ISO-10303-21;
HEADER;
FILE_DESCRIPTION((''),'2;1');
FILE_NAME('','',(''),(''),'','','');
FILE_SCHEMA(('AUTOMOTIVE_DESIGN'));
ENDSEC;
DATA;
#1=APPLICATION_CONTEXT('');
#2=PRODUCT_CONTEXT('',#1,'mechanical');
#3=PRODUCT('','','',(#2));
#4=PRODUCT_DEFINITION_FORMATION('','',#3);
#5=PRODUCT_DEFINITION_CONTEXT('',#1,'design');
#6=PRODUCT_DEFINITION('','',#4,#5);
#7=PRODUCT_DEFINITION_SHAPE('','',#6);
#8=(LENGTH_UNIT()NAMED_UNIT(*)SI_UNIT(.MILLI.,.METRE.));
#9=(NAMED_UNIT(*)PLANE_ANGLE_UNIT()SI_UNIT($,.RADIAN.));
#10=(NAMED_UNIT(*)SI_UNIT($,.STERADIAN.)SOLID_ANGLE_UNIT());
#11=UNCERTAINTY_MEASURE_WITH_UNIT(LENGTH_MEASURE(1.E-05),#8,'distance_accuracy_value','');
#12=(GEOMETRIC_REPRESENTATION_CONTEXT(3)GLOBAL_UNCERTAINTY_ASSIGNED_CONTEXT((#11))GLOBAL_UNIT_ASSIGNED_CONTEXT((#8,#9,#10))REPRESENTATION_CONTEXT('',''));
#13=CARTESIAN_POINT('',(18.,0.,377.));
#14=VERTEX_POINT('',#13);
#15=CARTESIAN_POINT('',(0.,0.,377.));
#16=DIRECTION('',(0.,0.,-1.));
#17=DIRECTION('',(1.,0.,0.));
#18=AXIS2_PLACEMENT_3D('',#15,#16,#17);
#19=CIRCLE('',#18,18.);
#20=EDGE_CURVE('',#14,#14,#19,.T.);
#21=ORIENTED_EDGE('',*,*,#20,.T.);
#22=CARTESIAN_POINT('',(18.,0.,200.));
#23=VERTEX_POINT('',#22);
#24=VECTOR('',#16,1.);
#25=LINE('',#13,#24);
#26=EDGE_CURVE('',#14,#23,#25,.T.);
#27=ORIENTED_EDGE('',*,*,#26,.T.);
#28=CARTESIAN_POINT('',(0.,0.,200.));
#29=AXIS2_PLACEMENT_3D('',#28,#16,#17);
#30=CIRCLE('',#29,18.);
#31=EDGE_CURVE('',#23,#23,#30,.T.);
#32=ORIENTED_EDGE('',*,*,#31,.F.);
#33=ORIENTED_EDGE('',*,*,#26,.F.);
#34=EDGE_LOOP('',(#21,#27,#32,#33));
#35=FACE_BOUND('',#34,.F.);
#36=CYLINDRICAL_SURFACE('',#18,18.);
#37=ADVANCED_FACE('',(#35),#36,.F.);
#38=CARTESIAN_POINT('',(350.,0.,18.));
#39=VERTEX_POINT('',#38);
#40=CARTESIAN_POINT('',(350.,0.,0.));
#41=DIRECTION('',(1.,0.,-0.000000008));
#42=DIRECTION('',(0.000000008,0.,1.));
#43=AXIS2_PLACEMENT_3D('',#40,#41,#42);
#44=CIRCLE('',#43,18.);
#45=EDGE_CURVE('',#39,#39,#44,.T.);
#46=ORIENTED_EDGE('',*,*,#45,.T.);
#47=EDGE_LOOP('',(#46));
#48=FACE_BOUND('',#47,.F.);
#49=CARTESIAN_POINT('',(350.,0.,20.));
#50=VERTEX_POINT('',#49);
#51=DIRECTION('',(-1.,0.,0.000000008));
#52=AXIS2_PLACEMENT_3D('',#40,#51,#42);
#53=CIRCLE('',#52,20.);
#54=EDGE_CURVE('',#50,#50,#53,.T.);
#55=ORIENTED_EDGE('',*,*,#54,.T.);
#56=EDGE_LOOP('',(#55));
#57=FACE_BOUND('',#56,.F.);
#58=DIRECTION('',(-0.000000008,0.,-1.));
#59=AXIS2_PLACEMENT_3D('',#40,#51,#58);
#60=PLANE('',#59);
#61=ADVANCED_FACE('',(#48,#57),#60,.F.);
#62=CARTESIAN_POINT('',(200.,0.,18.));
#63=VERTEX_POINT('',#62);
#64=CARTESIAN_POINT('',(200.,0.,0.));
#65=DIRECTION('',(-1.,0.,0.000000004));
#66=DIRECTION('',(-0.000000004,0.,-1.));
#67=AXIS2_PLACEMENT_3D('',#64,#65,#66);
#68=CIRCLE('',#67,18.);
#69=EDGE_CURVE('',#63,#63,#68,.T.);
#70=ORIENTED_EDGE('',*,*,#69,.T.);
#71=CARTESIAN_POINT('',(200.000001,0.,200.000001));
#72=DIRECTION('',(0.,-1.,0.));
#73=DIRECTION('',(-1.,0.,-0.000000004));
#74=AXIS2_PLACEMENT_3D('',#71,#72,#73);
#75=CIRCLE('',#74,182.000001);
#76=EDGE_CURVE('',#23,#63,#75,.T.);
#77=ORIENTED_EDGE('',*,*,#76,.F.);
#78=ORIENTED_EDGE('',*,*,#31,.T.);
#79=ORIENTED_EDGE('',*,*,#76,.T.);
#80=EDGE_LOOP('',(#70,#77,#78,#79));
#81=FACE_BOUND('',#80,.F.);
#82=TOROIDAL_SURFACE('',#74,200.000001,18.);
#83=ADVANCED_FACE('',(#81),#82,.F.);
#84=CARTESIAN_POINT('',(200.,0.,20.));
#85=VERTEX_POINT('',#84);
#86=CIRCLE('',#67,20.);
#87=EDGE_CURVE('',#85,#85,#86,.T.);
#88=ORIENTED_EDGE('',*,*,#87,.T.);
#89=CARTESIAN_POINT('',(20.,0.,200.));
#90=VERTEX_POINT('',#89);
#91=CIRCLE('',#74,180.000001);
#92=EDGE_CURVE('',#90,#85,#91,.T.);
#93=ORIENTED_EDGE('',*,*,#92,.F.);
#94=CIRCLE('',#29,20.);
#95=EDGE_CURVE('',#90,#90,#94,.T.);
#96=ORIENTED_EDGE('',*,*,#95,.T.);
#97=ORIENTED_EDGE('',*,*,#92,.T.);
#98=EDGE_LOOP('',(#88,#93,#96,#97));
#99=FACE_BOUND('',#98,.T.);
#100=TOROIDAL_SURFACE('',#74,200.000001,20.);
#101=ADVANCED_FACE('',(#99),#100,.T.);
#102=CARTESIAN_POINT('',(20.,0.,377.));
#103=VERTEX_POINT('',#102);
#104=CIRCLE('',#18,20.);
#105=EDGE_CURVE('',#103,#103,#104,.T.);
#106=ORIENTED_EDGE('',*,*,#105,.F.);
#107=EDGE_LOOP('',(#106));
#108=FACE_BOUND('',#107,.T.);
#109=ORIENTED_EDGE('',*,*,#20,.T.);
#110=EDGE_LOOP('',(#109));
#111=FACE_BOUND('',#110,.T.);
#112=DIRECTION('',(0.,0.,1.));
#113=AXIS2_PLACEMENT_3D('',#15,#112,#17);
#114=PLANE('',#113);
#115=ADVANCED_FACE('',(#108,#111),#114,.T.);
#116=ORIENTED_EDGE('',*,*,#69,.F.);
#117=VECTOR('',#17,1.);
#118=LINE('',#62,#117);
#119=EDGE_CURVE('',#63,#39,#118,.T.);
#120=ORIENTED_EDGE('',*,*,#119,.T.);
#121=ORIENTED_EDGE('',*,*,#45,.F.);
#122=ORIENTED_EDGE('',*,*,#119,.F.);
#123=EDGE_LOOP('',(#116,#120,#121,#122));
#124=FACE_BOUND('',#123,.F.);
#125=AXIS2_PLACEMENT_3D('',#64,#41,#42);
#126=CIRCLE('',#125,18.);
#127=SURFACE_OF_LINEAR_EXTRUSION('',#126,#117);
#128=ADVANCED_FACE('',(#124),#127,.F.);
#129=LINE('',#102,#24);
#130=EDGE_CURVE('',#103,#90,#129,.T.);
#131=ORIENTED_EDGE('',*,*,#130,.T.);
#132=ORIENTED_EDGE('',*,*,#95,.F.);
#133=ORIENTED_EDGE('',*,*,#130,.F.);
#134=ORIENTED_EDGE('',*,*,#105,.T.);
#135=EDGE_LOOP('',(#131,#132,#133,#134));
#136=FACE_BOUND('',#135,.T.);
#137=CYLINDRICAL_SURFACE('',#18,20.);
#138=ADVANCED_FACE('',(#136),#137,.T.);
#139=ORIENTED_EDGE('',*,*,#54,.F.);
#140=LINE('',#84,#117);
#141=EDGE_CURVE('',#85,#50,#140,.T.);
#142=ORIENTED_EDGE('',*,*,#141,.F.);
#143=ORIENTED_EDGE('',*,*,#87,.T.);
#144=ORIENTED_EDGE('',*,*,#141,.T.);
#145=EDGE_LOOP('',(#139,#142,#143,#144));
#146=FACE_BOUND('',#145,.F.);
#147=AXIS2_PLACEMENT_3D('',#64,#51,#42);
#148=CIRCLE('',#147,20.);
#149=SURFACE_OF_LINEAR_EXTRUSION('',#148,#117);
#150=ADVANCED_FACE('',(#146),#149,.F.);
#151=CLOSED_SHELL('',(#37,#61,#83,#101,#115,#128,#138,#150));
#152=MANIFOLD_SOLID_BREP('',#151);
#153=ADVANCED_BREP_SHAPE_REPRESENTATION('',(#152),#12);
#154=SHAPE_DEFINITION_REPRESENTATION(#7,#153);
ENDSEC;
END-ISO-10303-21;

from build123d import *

# Parameters (mm, degrees)
F2_R   = 20
F2_R_2 = 18


with BuildPart() as f3:
    # F3: sweep along a path in F0
    with BuildLine(Plane.XZ) as f3_path:
        Line((0, 377), (0, 200))
        ThreePointArc((0, 200), (58.578644, 58.578644), (200, 0))
        Line((200, 0), (350, 0))
    # F2 (on plane+point) → F3 (sweep)
    with BuildSketch(Plane.XY.offset(377)):
        Circle(F2_R)
        Circle(F2_R_2, mode=Mode.SUBTRACT)
    sweep(path=f3_path.line)


solid = f3.part
